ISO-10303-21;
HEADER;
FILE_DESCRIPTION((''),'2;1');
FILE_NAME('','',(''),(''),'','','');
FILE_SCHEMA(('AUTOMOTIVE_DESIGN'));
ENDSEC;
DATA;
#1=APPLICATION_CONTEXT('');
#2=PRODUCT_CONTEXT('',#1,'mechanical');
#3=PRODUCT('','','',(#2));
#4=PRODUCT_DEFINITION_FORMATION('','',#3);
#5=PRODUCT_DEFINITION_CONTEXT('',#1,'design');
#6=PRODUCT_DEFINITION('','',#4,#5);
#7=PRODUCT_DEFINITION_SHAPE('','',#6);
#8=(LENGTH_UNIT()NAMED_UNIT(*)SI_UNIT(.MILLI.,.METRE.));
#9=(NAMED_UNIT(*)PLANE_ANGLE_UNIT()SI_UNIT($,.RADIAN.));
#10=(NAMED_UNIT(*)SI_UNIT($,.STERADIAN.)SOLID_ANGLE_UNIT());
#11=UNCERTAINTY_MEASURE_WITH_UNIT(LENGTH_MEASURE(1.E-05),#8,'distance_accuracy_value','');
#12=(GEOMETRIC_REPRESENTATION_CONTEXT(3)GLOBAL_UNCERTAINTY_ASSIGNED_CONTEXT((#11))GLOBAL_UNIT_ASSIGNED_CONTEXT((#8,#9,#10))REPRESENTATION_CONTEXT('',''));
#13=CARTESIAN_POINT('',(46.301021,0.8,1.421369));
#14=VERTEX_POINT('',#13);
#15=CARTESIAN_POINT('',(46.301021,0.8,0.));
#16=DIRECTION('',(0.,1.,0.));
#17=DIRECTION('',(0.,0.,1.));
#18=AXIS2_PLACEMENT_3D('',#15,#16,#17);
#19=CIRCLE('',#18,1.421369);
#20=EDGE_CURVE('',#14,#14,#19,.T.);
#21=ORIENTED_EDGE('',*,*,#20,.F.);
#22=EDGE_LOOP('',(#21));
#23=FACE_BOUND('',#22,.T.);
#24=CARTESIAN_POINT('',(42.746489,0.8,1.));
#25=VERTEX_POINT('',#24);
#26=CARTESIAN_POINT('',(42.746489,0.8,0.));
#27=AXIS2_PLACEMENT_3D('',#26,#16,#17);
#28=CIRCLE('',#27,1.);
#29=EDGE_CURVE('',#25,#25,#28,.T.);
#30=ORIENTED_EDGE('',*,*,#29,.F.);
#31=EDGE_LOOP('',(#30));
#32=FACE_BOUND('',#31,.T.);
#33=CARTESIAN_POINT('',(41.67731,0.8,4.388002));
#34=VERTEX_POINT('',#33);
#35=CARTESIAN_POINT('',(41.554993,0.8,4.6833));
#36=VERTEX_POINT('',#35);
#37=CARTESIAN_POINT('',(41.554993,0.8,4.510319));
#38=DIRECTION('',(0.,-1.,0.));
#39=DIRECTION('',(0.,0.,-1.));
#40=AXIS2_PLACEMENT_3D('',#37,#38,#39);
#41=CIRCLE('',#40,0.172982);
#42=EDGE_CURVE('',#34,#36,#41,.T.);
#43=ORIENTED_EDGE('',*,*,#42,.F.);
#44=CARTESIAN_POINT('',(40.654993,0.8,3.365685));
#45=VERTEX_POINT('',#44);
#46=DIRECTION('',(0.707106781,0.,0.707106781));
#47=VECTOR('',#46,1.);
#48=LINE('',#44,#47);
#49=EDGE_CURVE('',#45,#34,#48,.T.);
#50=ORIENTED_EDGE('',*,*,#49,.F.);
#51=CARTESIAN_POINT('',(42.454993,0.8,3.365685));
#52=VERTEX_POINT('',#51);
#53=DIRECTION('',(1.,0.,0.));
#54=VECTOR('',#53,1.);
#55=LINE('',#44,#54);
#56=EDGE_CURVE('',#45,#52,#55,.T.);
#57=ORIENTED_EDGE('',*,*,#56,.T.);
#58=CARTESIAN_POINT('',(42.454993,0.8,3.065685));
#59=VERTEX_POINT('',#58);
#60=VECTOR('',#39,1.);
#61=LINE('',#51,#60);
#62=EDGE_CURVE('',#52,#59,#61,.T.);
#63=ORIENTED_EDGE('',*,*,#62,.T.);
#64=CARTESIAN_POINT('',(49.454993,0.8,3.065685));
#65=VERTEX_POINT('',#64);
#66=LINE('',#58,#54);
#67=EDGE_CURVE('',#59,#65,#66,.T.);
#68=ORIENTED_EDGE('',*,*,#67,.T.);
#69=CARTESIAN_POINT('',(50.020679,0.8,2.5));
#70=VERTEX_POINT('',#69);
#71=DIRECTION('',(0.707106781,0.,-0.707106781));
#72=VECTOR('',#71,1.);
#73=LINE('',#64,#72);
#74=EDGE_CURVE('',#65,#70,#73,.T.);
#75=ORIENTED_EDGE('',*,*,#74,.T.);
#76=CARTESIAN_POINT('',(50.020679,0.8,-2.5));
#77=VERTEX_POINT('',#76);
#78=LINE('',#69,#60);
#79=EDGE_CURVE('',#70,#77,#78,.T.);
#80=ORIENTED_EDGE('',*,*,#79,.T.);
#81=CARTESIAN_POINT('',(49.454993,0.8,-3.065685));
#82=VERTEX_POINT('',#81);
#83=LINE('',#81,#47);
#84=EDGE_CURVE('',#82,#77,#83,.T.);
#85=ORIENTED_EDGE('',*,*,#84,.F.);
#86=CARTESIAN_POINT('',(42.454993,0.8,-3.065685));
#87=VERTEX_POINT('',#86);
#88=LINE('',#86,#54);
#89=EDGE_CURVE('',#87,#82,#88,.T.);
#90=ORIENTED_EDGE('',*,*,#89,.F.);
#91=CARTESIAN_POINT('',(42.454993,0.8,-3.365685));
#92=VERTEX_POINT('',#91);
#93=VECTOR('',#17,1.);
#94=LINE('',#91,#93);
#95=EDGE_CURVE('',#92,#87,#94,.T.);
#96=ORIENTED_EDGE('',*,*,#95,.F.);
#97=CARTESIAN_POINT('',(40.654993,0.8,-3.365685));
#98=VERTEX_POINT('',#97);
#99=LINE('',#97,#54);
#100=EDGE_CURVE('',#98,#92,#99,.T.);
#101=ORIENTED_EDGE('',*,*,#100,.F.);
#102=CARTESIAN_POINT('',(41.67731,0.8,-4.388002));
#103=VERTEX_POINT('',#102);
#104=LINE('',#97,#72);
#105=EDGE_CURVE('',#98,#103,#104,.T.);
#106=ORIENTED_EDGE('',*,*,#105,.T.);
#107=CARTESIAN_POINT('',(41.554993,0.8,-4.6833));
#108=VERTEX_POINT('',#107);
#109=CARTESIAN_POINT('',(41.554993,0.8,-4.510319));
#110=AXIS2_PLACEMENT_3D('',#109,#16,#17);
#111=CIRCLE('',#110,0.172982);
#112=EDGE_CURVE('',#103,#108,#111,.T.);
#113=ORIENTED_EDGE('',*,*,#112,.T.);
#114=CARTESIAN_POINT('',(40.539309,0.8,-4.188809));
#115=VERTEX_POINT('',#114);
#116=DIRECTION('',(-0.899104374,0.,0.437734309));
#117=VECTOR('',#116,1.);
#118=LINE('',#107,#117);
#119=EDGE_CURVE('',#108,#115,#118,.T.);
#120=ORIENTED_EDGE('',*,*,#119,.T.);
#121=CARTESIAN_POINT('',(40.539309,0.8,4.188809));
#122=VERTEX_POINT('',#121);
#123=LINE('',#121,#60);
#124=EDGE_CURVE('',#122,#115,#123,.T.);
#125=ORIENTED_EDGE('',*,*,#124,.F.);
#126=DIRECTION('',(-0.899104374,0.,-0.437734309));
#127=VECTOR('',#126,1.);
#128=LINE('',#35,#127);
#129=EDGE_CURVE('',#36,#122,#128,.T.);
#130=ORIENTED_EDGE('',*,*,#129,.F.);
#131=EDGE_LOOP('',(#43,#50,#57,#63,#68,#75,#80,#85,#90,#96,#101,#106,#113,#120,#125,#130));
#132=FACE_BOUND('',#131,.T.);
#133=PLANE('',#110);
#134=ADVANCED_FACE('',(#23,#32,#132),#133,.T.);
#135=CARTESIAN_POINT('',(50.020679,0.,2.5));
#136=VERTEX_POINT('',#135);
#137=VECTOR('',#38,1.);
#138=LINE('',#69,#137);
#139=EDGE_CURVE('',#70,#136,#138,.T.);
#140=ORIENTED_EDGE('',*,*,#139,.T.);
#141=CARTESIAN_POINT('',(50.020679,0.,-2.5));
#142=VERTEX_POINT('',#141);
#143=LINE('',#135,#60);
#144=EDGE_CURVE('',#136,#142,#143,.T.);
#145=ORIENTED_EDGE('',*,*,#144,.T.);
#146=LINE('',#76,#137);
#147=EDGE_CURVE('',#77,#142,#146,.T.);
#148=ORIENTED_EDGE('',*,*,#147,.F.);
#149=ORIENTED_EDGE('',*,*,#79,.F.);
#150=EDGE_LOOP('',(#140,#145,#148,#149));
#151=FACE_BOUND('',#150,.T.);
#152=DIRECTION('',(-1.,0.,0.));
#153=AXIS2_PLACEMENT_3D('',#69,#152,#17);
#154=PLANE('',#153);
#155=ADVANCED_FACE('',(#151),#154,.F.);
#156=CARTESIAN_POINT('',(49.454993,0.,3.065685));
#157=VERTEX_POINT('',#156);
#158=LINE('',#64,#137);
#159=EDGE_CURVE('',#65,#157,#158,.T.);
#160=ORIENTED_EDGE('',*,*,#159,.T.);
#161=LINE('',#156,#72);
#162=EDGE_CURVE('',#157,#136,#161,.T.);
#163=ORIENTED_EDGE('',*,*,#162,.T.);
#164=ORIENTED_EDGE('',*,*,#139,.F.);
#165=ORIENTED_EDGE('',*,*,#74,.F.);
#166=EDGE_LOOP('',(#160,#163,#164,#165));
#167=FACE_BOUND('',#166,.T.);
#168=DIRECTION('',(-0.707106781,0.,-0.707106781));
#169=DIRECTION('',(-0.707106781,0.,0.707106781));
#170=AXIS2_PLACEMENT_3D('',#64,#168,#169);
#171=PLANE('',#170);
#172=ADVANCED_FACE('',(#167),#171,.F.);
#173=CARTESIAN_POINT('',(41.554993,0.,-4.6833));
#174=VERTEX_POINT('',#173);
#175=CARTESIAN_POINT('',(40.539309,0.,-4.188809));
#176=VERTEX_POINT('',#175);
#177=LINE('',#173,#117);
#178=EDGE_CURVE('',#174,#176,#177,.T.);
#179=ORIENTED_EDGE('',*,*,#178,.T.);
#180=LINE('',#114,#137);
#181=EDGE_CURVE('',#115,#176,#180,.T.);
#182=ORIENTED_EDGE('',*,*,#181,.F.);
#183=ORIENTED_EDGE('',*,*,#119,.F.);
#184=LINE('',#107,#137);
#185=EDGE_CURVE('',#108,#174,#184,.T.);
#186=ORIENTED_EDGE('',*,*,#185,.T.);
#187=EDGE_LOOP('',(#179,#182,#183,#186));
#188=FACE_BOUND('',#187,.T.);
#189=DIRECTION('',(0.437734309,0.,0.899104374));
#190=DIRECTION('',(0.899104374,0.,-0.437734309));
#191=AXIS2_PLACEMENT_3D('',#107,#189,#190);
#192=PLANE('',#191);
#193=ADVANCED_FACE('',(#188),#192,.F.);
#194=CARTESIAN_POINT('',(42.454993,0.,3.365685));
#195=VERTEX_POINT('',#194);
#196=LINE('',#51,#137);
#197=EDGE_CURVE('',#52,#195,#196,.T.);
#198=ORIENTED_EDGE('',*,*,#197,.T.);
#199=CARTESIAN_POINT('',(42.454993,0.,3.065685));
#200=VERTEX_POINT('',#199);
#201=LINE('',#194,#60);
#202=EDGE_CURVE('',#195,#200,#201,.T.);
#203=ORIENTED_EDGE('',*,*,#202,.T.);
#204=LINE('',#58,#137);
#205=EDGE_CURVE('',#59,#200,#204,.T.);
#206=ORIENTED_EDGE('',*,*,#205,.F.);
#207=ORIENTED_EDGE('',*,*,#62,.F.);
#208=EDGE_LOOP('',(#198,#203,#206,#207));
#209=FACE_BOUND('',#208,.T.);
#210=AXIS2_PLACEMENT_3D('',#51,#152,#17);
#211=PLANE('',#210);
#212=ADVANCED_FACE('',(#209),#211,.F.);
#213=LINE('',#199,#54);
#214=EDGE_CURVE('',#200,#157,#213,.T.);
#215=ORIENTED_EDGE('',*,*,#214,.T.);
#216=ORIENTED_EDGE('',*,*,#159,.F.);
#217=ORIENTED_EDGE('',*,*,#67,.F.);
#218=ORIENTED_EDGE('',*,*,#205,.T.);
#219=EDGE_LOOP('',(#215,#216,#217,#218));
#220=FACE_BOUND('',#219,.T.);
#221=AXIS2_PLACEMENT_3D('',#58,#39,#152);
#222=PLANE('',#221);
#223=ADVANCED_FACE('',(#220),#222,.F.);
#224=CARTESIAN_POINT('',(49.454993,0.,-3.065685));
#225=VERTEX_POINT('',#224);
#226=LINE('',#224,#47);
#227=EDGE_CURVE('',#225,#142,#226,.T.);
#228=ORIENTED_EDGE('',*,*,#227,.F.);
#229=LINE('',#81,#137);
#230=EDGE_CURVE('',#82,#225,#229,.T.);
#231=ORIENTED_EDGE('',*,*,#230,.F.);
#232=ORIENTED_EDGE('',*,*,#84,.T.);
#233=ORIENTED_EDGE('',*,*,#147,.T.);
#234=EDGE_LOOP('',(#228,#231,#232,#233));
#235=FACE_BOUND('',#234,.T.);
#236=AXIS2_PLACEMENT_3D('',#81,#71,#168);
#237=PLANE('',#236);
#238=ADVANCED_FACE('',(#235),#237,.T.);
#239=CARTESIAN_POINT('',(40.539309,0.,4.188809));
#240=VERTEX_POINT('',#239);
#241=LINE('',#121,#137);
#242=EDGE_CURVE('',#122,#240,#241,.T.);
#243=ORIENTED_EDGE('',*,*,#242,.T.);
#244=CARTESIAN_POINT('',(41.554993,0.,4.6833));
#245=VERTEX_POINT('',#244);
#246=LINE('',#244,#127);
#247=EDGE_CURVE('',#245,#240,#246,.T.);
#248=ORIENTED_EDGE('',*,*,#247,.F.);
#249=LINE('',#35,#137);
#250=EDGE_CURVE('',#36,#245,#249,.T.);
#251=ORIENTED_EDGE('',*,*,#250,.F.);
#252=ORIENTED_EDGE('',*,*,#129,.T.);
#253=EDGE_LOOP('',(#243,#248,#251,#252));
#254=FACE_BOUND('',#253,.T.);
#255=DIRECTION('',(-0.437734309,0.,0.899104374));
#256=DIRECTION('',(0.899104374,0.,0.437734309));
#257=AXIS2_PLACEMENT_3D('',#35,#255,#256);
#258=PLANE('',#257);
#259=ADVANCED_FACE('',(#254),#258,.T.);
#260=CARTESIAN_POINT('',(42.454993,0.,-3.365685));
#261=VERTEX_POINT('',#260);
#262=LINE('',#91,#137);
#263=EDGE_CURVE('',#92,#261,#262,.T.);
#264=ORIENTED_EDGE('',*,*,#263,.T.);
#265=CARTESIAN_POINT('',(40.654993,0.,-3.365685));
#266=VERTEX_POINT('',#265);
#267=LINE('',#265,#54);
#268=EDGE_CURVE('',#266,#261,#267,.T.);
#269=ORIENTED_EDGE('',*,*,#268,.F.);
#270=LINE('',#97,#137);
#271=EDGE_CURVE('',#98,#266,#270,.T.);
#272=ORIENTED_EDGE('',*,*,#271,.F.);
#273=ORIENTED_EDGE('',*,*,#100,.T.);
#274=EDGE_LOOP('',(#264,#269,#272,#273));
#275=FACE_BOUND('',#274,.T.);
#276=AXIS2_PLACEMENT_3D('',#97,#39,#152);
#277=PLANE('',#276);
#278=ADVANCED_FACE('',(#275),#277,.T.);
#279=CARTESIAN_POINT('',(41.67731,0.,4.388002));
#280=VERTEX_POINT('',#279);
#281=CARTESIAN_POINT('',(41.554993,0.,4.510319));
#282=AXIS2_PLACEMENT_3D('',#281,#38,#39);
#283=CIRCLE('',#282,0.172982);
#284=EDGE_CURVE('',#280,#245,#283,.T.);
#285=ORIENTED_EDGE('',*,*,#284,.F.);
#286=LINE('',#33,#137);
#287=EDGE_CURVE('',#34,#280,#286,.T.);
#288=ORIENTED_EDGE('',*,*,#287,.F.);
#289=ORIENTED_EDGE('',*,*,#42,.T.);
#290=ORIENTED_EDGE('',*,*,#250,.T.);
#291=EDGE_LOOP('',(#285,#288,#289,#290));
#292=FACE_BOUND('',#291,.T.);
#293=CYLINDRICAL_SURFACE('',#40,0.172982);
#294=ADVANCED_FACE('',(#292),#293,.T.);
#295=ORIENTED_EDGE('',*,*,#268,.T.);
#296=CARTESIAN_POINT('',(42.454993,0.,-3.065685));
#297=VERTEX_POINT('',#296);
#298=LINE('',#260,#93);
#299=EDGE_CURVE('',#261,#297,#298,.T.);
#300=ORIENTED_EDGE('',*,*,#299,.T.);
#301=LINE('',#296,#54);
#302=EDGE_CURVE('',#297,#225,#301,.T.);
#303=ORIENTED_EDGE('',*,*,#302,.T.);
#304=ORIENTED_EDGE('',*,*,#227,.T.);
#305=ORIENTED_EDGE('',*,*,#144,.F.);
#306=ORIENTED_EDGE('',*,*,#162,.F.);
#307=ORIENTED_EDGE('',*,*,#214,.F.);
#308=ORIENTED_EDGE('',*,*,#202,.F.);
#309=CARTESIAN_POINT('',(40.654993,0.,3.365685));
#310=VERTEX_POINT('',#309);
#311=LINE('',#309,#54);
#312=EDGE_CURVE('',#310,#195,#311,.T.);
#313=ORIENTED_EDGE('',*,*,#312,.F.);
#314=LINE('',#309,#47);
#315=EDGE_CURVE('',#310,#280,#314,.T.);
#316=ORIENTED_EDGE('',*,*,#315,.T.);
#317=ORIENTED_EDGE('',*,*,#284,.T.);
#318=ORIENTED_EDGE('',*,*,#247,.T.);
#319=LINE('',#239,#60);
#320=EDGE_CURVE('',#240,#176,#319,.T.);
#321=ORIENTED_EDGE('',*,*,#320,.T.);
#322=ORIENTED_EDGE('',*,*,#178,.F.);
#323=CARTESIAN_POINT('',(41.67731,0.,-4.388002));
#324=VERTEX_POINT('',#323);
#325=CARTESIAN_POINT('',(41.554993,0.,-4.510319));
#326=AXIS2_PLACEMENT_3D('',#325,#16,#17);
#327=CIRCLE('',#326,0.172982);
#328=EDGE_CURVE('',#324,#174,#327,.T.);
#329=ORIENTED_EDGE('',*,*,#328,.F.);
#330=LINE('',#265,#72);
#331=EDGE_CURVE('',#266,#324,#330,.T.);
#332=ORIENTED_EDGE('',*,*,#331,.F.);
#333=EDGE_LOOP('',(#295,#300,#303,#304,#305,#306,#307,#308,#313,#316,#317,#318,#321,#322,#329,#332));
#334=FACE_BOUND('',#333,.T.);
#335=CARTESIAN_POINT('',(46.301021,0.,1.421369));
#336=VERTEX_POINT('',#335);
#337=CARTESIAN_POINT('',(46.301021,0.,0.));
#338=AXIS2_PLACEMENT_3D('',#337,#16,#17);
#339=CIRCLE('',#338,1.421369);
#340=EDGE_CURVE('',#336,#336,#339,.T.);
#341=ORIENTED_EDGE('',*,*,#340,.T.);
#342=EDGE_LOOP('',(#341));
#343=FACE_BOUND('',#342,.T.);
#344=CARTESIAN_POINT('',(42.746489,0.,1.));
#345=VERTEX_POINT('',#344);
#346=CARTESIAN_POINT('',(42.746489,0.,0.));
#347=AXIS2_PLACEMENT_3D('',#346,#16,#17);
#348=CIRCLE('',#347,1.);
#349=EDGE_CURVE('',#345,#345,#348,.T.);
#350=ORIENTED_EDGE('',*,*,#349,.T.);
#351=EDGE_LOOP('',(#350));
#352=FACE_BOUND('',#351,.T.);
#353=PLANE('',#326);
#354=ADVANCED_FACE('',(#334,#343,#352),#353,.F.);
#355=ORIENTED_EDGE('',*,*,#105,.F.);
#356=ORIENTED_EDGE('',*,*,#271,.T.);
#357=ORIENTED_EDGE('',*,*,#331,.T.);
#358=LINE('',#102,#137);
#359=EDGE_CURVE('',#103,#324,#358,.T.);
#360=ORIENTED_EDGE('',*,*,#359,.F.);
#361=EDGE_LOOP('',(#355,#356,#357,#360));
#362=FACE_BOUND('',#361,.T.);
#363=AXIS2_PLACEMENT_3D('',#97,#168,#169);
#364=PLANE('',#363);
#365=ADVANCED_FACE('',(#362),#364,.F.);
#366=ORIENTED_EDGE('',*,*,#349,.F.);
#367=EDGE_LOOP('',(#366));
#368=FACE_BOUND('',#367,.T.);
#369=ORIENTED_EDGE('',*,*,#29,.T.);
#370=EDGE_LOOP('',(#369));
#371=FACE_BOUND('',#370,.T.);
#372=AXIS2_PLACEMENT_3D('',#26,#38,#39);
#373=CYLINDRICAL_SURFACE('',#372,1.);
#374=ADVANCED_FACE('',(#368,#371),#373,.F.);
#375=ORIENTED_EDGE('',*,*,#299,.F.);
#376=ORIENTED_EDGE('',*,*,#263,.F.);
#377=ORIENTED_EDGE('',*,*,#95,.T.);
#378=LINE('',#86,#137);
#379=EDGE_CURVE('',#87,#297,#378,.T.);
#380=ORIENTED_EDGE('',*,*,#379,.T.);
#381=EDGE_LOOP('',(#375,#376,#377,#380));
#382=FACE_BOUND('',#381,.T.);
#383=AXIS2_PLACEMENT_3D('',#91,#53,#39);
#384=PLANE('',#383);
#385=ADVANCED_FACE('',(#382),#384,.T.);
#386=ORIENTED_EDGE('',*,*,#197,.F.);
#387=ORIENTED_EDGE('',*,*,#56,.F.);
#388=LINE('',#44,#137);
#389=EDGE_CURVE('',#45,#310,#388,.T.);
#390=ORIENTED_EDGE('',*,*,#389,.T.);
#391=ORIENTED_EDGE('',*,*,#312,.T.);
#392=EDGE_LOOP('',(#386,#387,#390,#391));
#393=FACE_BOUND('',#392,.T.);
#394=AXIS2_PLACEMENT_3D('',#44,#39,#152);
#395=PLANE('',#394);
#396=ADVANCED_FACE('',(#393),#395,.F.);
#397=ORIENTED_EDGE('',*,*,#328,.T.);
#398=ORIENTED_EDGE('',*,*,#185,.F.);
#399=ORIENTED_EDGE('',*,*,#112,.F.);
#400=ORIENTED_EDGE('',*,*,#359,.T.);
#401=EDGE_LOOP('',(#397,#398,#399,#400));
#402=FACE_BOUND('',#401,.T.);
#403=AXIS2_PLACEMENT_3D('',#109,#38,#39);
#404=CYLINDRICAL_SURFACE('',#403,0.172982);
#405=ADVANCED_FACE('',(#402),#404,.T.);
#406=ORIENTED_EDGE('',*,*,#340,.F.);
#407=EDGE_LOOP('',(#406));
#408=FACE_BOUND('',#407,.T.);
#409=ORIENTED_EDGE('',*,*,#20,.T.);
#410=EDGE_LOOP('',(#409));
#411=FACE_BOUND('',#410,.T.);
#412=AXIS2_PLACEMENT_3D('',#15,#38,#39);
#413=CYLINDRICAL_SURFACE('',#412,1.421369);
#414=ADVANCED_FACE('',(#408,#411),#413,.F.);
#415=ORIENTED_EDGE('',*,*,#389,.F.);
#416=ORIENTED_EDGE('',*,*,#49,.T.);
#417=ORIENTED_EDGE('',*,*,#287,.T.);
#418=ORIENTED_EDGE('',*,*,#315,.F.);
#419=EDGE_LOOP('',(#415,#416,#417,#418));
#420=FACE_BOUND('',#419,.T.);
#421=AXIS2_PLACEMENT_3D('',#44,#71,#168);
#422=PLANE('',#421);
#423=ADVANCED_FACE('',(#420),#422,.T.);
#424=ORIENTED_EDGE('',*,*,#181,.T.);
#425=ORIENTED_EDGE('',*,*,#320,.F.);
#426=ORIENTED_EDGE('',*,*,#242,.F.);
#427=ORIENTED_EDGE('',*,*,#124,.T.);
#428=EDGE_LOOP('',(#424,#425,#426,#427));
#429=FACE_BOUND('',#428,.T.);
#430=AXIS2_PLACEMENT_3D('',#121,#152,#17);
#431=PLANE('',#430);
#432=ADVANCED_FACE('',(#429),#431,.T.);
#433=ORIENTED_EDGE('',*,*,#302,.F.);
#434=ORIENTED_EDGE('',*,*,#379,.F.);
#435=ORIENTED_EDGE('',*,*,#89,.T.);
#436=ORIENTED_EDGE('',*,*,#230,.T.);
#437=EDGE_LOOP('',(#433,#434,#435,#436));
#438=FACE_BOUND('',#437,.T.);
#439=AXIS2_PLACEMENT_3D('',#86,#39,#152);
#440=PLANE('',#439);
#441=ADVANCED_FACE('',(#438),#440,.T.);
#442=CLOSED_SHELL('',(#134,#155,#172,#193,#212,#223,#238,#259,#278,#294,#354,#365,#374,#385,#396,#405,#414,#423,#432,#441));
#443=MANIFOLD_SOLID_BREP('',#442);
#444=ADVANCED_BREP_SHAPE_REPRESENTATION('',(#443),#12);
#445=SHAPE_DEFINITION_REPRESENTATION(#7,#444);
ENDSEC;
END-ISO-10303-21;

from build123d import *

# Parameters (mm, degrees)
SKETCH3_R           = 1
SKETCH3_R_2         = 1.421368712
BOSS_EXTRUDE1_DEPTH = 0.8


with BuildPart() as part:
    # Sketch3 → Boss-Extrude1 (new body)
    with BuildSketch(Plane(origin=(0, 0, 0), x_dir=(1, 0, 0), z_dir=(0, 1, 0))):
        with BuildLine():
            Line((40.65499317, -3.365685425), (42.45499317, -3.365685425))
            Line((42.45499317, -3.365685425), (42.45499317, -3.065685425))
            Line((42.45499317, -3.065685425), (49.45499317, -3.065685425))
            Line((49.45499317, -3.065685425), (50.020678594, -2.5))
            Line((50.020678594, -2.5), (50.020678594, 2.5))
            Line((50.020678594, 2.5), (49.45499317, 3.065685425))
            Line((49.45499317, 3.065685425), (42.45499317, 3.065685425))
            Line((42.45499317, 3.065685425), (42.45499317, 3.365685425))
            Line((42.45499317, 3.365685425), (40.65499317, 3.365685425))
            Line((40.65499317, 3.365685425), (41.67730974, 4.388001996))
            ThreePointArc((41.67730974, 4.388001996), (41.714807471, 4.576515818), (41.55499317, 4.68330032))
            Line((41.55499317, 4.68330032), (40.539309151, 4.188808518))
            Line((40.539309151, 4.188808518), (40.539309151, -4.188808518))
            Line((40.539309151, -4.188808518), (41.55499317, -4.68330032))
            ThreePointArc((41.55499317, -4.68330032), (41.714807471, -4.576515818), (41.67730974, -4.388001996))
            Line((41.67730974, -4.388001996), (40.65499317, -3.365685425))
        make_face()
        with Locations(Location((42.746488922, 0, 0), (0, 0, 270))):
            Circle(SKETCH3_R, mode=Mode.SUBTRACT)
        with Locations(Location((46.301021107, 0, 0), (0, 0, 270))):
            Circle(SKETCH3_R_2, mode=Mode.SUBTRACT)
    extrude(amount=BOSS_EXTRUDE1_DEPTH)


solid = part.part
